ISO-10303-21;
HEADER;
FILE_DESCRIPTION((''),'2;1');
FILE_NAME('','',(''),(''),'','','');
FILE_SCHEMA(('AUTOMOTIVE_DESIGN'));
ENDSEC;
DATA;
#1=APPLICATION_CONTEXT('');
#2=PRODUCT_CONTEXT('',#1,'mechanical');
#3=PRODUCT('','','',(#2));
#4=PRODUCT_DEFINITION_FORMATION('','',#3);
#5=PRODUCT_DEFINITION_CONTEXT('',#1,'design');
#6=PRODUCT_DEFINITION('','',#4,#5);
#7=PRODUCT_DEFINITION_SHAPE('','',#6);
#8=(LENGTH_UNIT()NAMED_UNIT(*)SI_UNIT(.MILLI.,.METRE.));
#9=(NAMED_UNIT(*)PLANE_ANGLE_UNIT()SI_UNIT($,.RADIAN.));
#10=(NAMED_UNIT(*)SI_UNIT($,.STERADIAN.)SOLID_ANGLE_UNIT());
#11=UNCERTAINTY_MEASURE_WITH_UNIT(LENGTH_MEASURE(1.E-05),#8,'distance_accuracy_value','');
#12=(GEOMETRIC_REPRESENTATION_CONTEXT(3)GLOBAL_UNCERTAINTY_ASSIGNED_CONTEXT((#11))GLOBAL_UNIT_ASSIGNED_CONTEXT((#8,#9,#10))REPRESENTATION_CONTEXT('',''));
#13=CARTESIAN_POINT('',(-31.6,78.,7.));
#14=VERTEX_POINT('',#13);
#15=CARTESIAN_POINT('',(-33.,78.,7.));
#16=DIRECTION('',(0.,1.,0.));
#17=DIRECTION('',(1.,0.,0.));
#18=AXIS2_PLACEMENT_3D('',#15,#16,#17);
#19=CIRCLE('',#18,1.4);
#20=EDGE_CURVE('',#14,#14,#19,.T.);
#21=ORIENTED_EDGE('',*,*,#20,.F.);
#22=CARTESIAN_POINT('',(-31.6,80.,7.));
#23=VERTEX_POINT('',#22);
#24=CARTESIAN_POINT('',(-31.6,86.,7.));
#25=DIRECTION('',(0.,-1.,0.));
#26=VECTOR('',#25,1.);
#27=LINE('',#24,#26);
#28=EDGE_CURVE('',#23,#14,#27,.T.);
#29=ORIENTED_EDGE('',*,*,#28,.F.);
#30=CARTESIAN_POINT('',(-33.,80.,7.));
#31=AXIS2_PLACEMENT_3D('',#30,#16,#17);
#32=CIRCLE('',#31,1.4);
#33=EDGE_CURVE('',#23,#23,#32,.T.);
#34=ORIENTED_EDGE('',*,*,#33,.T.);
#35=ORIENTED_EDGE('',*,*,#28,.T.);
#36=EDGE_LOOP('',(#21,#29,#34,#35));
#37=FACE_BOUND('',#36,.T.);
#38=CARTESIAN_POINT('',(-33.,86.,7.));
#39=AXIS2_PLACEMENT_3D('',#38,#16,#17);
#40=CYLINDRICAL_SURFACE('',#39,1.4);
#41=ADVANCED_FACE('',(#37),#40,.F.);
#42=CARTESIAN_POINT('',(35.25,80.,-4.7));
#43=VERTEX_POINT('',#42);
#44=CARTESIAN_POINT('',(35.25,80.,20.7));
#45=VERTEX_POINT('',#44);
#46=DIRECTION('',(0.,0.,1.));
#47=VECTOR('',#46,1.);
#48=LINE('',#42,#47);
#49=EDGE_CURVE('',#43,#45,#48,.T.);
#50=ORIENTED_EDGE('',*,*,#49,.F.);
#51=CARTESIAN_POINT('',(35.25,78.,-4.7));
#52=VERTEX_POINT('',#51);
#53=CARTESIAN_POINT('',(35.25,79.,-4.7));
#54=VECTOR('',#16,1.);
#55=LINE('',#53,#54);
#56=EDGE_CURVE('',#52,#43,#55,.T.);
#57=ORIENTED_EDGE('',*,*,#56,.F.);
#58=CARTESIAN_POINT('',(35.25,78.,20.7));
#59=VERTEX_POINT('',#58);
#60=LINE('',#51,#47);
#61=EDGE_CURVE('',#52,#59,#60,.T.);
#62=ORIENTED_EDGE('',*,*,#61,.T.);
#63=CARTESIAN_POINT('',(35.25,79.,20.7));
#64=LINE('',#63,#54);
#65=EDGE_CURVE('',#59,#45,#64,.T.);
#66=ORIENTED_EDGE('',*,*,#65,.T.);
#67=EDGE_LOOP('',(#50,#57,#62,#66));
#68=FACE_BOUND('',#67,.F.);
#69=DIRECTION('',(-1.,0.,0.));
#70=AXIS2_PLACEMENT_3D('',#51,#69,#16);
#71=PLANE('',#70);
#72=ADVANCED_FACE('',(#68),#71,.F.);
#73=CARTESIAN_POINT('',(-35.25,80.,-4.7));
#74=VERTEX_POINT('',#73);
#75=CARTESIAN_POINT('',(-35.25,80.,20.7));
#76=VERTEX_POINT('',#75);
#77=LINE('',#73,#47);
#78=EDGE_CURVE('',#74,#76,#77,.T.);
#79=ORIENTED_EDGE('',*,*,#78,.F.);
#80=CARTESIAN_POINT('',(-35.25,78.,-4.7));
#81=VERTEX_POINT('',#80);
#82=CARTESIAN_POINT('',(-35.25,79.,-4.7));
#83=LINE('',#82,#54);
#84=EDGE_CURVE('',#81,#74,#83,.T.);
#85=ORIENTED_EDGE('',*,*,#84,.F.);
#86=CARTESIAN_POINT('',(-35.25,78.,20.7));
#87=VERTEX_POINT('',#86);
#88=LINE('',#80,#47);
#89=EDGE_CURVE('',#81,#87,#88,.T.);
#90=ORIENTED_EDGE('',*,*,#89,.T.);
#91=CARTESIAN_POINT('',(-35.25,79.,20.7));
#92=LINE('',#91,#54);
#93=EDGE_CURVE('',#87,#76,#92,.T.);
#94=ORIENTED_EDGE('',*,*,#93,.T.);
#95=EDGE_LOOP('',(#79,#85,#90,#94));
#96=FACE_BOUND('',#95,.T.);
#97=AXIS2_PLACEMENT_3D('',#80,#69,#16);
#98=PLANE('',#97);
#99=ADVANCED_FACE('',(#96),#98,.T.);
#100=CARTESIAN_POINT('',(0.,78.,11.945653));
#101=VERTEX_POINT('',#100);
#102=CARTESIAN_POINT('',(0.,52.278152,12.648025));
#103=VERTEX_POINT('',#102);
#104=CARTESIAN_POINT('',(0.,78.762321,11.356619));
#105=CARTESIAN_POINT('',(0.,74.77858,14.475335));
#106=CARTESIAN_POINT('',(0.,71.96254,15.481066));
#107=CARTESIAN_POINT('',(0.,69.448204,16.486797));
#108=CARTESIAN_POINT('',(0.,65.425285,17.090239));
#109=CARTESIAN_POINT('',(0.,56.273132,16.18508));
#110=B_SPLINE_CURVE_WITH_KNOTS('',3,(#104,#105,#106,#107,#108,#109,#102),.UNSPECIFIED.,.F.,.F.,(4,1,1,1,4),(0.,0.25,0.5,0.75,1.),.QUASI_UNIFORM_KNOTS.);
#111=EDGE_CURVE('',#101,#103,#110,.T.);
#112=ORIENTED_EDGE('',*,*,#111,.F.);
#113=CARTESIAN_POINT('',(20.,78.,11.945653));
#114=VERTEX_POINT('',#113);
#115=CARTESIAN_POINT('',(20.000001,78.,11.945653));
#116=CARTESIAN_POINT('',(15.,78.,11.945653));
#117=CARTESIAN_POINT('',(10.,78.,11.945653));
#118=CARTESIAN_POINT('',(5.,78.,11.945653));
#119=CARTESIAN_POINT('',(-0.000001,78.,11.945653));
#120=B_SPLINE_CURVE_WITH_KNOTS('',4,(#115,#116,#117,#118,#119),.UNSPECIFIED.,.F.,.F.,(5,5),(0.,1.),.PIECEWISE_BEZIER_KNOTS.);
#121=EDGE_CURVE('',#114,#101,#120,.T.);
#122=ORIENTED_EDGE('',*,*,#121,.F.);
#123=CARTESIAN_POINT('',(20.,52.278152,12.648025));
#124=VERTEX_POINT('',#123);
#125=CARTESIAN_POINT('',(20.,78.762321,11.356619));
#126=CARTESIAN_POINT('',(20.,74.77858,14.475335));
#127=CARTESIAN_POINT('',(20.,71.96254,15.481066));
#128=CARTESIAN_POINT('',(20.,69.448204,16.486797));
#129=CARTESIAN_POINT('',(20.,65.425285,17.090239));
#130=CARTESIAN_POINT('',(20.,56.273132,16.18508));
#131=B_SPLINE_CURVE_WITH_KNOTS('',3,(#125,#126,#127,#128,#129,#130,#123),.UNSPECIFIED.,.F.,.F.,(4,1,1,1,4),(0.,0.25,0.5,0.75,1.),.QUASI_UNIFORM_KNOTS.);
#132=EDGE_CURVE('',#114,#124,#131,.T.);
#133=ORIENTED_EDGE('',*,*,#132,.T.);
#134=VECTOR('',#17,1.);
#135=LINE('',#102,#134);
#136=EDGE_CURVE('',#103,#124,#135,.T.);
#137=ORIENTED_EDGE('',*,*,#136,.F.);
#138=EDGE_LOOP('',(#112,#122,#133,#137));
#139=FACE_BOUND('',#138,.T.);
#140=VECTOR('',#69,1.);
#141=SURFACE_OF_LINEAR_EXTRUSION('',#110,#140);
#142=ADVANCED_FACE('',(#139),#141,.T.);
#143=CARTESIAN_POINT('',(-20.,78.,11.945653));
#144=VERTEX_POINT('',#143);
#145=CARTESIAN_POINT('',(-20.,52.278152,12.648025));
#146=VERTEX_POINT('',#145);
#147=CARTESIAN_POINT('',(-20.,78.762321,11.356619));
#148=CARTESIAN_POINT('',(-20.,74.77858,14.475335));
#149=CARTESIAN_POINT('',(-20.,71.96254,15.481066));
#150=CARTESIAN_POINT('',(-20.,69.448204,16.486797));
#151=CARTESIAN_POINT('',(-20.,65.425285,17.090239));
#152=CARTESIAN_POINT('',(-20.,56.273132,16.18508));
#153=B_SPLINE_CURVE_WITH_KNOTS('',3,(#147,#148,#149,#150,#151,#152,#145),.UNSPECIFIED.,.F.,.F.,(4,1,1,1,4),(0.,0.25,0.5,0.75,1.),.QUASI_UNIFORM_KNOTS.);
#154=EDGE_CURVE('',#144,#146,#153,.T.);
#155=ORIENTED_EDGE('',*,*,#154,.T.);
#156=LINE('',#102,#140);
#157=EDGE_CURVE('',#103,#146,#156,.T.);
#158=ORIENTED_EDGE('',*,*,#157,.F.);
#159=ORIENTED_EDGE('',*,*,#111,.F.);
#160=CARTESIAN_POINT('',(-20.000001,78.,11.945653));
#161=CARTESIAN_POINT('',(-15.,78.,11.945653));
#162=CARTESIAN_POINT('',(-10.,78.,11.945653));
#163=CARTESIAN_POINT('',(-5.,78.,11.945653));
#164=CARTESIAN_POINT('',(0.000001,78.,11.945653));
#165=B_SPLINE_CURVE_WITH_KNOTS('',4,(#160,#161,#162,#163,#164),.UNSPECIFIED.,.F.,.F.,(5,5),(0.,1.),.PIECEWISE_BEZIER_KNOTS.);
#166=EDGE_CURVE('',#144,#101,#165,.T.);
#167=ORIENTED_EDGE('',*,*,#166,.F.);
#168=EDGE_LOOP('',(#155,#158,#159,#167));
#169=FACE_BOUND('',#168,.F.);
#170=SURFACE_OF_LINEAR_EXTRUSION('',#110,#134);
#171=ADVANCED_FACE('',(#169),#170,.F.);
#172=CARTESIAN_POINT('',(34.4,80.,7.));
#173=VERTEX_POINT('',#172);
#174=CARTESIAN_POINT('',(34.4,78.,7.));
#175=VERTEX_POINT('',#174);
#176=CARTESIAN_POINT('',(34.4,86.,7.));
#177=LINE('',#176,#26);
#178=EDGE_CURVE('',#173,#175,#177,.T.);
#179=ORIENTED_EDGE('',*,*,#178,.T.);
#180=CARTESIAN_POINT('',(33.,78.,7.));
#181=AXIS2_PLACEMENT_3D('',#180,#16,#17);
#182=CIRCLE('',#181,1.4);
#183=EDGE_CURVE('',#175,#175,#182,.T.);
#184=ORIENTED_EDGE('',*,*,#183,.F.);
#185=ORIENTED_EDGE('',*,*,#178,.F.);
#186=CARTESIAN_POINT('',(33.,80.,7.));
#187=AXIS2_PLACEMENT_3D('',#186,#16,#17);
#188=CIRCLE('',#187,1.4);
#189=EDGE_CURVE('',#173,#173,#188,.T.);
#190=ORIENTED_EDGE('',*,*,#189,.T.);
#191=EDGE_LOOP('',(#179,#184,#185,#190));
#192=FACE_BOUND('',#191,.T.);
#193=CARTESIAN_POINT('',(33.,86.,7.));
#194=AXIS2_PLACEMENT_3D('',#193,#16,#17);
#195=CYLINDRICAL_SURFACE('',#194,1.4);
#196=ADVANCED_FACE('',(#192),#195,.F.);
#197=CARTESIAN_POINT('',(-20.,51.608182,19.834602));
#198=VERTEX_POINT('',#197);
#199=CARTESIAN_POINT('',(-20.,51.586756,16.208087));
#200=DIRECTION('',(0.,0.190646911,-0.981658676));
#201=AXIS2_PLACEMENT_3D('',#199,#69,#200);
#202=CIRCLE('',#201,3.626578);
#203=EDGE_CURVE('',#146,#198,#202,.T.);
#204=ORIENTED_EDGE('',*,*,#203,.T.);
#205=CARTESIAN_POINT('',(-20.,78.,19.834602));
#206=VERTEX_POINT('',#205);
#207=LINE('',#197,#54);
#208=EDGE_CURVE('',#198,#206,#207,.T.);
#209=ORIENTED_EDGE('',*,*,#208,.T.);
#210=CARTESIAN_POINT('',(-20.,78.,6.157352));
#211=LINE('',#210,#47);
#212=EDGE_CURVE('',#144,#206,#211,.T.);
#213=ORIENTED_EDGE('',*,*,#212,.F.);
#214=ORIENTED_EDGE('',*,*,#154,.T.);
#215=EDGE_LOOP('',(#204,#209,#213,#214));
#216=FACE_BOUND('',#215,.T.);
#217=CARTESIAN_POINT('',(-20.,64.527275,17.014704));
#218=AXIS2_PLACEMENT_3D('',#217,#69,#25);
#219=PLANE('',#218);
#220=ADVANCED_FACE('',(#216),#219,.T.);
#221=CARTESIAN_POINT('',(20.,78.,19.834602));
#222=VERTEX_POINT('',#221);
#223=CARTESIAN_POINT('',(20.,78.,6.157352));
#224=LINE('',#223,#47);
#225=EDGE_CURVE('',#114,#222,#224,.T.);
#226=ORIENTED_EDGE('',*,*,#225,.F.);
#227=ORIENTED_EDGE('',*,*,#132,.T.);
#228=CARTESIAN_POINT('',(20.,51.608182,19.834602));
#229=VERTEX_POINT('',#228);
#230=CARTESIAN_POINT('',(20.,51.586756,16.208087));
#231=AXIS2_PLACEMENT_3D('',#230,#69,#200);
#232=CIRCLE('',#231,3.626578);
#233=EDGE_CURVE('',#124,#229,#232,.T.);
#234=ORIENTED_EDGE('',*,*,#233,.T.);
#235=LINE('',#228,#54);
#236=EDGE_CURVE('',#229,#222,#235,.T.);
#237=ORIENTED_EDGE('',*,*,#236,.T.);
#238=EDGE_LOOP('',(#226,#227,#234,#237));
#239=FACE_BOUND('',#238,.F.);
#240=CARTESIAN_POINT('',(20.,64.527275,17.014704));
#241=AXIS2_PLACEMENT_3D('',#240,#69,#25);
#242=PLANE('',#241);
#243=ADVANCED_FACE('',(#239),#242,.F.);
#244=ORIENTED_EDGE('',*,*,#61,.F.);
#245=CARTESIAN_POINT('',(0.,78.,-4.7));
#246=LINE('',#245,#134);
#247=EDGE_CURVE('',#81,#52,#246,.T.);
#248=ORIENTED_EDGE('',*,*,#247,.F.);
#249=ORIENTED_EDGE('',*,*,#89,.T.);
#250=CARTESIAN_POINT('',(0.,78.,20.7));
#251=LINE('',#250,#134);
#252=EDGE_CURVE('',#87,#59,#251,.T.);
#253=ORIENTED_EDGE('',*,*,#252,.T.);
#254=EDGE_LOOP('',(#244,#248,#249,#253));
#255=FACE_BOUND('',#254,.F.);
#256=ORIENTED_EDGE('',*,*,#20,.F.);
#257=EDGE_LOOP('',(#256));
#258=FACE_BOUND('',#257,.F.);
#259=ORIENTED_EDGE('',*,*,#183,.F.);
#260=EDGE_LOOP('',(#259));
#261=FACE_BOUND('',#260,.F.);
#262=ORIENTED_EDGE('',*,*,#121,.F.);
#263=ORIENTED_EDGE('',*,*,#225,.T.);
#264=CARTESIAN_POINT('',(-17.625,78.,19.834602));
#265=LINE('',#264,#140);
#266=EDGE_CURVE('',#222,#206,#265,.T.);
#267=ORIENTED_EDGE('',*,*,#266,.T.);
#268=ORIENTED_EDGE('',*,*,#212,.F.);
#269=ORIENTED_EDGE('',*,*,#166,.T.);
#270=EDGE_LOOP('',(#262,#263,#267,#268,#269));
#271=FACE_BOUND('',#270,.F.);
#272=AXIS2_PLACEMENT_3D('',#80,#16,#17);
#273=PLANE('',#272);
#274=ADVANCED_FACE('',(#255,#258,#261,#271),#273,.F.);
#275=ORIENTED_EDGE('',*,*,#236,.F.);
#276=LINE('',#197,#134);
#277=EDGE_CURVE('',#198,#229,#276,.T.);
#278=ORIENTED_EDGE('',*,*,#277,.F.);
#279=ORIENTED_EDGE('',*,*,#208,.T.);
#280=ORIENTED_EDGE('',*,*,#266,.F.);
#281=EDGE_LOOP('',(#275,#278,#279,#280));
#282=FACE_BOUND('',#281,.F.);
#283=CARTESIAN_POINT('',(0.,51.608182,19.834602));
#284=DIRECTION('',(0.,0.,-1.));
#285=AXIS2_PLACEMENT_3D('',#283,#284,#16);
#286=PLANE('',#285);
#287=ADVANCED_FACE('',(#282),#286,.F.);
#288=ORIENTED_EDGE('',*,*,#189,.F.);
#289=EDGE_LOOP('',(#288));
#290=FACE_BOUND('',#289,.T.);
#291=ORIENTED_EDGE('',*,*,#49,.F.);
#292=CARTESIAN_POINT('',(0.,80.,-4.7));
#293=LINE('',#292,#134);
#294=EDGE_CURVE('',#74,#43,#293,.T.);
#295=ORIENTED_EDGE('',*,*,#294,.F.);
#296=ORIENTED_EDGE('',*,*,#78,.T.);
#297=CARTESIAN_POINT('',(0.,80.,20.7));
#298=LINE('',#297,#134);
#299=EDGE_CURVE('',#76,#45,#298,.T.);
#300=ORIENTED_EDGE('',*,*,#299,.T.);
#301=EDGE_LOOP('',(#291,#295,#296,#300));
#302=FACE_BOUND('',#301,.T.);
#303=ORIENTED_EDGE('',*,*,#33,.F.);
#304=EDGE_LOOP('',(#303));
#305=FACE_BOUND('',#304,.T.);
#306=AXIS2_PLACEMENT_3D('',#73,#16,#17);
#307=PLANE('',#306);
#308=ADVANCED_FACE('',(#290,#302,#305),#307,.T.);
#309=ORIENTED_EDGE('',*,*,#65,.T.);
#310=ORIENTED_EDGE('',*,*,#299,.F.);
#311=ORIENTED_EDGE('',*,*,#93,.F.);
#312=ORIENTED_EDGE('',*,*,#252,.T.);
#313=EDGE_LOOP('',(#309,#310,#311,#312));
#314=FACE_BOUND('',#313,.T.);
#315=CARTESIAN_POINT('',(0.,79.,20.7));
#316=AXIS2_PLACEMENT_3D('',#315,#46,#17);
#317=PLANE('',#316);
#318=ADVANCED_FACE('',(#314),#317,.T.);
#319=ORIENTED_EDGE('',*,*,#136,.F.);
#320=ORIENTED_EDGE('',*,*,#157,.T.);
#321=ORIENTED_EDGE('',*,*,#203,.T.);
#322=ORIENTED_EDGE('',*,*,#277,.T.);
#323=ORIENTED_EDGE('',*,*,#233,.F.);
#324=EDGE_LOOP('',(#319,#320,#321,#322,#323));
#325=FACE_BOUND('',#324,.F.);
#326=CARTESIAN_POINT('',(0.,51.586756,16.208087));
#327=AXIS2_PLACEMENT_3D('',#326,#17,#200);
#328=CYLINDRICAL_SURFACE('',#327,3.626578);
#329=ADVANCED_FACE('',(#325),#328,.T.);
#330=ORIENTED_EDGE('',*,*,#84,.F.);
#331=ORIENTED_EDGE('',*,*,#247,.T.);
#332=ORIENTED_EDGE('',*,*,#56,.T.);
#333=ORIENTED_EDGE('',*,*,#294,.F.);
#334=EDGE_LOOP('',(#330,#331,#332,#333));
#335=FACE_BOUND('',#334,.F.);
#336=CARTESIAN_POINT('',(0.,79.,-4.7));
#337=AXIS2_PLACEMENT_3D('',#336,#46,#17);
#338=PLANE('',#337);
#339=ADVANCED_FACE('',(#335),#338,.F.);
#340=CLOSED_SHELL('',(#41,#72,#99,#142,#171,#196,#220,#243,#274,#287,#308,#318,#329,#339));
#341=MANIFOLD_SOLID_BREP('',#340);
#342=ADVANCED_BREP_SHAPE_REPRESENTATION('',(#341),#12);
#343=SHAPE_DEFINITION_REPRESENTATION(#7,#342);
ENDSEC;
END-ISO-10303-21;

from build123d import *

# Parameters (mm, degrees)
PAD002_DEPTH      = 20
CYLINDER017_R     = 1.4
CYLINDER017_DEPTH = 10
ARRAY014_X_COUNT  = 2
ARRAY014_X_PITCH  = 66
BOX031_W          = 70.5
BOX031_H          = 2
BOX031_DEPTH      = 25.4


with BuildPart() as body003:
    # Sketch003 → Pad002 (new body, symmetric)
    with BuildSketch(Plane.YZ):
        with BuildLine():
            Line((78.762321, 19.834602), (78.762321, 11.356619))
            add(Edge.make_bspline(
                [(78.762321, 11.356619), (74.77858, 14.475335), (71.96254, 15.481066), (69.448204, 16.486797), (65.425285, 17.090239), (56.273132, 16.18508), (52.278152, 12.648025)],
                knots=[0, 0, 0, 0, 0.25, 0.5, 0.75, 1, 1, 1, 1], degree=3))
            ThreePointArc((52.278152, 12.648025), (47.975835, 15.871458), (51.608182, 19.834602))
            Line((51.608182, 19.834602), (78.762321, 19.834602))
        make_face()
    extrude(amount=PAD002_DEPTH, both=True)


with BuildPart() as battery_cover_screw_hole_array:
    # Cylinder017 → Cylinder017 (new body)
    with BuildSketch(Plane(origin=(-33, 86, 7), x_dir=(1, 0, 0), z_dir=(0, -1, 0))):
        Circle(CYLINDER017_R)
    extrude(amount=CYLINDER017_DEPTH)

    # Array014 X: battery cover screw hole array ×2


with BuildPart() as battery_cover_screw_hole_array_1:
    add(battery_cover_screw_hole_array.part)
    with Locations(*[(i * ARRAY014_X_PITCH, 0, 0) for i in range(1, ARRAY014_X_COUNT)]):
        add(battery_cover_screw_hole_array.part)


with BuildPart() as battery_cover_plate_fusion:
    # Box031 → Box031 (new body)
    with BuildSketch(Plane(origin=(-35.25, 78, -4.7), x_dir=(1, 0, 0), z_dir=(0, 0, 1))):
        with Locations((35.25, 1)):
            Rectangle(BOX031_W, BOX031_H)
    extrude(amount=BOX031_DEPTH)

    # Cut002003008: cut battery cover screw hole array
    add(battery_cover_screw_hole_array_1.part, mode=Mode.SUBTRACT)

    # Fusion005004008: union Body003
    add(body003.part)


solid = battery_cover_plate_fusion.part
